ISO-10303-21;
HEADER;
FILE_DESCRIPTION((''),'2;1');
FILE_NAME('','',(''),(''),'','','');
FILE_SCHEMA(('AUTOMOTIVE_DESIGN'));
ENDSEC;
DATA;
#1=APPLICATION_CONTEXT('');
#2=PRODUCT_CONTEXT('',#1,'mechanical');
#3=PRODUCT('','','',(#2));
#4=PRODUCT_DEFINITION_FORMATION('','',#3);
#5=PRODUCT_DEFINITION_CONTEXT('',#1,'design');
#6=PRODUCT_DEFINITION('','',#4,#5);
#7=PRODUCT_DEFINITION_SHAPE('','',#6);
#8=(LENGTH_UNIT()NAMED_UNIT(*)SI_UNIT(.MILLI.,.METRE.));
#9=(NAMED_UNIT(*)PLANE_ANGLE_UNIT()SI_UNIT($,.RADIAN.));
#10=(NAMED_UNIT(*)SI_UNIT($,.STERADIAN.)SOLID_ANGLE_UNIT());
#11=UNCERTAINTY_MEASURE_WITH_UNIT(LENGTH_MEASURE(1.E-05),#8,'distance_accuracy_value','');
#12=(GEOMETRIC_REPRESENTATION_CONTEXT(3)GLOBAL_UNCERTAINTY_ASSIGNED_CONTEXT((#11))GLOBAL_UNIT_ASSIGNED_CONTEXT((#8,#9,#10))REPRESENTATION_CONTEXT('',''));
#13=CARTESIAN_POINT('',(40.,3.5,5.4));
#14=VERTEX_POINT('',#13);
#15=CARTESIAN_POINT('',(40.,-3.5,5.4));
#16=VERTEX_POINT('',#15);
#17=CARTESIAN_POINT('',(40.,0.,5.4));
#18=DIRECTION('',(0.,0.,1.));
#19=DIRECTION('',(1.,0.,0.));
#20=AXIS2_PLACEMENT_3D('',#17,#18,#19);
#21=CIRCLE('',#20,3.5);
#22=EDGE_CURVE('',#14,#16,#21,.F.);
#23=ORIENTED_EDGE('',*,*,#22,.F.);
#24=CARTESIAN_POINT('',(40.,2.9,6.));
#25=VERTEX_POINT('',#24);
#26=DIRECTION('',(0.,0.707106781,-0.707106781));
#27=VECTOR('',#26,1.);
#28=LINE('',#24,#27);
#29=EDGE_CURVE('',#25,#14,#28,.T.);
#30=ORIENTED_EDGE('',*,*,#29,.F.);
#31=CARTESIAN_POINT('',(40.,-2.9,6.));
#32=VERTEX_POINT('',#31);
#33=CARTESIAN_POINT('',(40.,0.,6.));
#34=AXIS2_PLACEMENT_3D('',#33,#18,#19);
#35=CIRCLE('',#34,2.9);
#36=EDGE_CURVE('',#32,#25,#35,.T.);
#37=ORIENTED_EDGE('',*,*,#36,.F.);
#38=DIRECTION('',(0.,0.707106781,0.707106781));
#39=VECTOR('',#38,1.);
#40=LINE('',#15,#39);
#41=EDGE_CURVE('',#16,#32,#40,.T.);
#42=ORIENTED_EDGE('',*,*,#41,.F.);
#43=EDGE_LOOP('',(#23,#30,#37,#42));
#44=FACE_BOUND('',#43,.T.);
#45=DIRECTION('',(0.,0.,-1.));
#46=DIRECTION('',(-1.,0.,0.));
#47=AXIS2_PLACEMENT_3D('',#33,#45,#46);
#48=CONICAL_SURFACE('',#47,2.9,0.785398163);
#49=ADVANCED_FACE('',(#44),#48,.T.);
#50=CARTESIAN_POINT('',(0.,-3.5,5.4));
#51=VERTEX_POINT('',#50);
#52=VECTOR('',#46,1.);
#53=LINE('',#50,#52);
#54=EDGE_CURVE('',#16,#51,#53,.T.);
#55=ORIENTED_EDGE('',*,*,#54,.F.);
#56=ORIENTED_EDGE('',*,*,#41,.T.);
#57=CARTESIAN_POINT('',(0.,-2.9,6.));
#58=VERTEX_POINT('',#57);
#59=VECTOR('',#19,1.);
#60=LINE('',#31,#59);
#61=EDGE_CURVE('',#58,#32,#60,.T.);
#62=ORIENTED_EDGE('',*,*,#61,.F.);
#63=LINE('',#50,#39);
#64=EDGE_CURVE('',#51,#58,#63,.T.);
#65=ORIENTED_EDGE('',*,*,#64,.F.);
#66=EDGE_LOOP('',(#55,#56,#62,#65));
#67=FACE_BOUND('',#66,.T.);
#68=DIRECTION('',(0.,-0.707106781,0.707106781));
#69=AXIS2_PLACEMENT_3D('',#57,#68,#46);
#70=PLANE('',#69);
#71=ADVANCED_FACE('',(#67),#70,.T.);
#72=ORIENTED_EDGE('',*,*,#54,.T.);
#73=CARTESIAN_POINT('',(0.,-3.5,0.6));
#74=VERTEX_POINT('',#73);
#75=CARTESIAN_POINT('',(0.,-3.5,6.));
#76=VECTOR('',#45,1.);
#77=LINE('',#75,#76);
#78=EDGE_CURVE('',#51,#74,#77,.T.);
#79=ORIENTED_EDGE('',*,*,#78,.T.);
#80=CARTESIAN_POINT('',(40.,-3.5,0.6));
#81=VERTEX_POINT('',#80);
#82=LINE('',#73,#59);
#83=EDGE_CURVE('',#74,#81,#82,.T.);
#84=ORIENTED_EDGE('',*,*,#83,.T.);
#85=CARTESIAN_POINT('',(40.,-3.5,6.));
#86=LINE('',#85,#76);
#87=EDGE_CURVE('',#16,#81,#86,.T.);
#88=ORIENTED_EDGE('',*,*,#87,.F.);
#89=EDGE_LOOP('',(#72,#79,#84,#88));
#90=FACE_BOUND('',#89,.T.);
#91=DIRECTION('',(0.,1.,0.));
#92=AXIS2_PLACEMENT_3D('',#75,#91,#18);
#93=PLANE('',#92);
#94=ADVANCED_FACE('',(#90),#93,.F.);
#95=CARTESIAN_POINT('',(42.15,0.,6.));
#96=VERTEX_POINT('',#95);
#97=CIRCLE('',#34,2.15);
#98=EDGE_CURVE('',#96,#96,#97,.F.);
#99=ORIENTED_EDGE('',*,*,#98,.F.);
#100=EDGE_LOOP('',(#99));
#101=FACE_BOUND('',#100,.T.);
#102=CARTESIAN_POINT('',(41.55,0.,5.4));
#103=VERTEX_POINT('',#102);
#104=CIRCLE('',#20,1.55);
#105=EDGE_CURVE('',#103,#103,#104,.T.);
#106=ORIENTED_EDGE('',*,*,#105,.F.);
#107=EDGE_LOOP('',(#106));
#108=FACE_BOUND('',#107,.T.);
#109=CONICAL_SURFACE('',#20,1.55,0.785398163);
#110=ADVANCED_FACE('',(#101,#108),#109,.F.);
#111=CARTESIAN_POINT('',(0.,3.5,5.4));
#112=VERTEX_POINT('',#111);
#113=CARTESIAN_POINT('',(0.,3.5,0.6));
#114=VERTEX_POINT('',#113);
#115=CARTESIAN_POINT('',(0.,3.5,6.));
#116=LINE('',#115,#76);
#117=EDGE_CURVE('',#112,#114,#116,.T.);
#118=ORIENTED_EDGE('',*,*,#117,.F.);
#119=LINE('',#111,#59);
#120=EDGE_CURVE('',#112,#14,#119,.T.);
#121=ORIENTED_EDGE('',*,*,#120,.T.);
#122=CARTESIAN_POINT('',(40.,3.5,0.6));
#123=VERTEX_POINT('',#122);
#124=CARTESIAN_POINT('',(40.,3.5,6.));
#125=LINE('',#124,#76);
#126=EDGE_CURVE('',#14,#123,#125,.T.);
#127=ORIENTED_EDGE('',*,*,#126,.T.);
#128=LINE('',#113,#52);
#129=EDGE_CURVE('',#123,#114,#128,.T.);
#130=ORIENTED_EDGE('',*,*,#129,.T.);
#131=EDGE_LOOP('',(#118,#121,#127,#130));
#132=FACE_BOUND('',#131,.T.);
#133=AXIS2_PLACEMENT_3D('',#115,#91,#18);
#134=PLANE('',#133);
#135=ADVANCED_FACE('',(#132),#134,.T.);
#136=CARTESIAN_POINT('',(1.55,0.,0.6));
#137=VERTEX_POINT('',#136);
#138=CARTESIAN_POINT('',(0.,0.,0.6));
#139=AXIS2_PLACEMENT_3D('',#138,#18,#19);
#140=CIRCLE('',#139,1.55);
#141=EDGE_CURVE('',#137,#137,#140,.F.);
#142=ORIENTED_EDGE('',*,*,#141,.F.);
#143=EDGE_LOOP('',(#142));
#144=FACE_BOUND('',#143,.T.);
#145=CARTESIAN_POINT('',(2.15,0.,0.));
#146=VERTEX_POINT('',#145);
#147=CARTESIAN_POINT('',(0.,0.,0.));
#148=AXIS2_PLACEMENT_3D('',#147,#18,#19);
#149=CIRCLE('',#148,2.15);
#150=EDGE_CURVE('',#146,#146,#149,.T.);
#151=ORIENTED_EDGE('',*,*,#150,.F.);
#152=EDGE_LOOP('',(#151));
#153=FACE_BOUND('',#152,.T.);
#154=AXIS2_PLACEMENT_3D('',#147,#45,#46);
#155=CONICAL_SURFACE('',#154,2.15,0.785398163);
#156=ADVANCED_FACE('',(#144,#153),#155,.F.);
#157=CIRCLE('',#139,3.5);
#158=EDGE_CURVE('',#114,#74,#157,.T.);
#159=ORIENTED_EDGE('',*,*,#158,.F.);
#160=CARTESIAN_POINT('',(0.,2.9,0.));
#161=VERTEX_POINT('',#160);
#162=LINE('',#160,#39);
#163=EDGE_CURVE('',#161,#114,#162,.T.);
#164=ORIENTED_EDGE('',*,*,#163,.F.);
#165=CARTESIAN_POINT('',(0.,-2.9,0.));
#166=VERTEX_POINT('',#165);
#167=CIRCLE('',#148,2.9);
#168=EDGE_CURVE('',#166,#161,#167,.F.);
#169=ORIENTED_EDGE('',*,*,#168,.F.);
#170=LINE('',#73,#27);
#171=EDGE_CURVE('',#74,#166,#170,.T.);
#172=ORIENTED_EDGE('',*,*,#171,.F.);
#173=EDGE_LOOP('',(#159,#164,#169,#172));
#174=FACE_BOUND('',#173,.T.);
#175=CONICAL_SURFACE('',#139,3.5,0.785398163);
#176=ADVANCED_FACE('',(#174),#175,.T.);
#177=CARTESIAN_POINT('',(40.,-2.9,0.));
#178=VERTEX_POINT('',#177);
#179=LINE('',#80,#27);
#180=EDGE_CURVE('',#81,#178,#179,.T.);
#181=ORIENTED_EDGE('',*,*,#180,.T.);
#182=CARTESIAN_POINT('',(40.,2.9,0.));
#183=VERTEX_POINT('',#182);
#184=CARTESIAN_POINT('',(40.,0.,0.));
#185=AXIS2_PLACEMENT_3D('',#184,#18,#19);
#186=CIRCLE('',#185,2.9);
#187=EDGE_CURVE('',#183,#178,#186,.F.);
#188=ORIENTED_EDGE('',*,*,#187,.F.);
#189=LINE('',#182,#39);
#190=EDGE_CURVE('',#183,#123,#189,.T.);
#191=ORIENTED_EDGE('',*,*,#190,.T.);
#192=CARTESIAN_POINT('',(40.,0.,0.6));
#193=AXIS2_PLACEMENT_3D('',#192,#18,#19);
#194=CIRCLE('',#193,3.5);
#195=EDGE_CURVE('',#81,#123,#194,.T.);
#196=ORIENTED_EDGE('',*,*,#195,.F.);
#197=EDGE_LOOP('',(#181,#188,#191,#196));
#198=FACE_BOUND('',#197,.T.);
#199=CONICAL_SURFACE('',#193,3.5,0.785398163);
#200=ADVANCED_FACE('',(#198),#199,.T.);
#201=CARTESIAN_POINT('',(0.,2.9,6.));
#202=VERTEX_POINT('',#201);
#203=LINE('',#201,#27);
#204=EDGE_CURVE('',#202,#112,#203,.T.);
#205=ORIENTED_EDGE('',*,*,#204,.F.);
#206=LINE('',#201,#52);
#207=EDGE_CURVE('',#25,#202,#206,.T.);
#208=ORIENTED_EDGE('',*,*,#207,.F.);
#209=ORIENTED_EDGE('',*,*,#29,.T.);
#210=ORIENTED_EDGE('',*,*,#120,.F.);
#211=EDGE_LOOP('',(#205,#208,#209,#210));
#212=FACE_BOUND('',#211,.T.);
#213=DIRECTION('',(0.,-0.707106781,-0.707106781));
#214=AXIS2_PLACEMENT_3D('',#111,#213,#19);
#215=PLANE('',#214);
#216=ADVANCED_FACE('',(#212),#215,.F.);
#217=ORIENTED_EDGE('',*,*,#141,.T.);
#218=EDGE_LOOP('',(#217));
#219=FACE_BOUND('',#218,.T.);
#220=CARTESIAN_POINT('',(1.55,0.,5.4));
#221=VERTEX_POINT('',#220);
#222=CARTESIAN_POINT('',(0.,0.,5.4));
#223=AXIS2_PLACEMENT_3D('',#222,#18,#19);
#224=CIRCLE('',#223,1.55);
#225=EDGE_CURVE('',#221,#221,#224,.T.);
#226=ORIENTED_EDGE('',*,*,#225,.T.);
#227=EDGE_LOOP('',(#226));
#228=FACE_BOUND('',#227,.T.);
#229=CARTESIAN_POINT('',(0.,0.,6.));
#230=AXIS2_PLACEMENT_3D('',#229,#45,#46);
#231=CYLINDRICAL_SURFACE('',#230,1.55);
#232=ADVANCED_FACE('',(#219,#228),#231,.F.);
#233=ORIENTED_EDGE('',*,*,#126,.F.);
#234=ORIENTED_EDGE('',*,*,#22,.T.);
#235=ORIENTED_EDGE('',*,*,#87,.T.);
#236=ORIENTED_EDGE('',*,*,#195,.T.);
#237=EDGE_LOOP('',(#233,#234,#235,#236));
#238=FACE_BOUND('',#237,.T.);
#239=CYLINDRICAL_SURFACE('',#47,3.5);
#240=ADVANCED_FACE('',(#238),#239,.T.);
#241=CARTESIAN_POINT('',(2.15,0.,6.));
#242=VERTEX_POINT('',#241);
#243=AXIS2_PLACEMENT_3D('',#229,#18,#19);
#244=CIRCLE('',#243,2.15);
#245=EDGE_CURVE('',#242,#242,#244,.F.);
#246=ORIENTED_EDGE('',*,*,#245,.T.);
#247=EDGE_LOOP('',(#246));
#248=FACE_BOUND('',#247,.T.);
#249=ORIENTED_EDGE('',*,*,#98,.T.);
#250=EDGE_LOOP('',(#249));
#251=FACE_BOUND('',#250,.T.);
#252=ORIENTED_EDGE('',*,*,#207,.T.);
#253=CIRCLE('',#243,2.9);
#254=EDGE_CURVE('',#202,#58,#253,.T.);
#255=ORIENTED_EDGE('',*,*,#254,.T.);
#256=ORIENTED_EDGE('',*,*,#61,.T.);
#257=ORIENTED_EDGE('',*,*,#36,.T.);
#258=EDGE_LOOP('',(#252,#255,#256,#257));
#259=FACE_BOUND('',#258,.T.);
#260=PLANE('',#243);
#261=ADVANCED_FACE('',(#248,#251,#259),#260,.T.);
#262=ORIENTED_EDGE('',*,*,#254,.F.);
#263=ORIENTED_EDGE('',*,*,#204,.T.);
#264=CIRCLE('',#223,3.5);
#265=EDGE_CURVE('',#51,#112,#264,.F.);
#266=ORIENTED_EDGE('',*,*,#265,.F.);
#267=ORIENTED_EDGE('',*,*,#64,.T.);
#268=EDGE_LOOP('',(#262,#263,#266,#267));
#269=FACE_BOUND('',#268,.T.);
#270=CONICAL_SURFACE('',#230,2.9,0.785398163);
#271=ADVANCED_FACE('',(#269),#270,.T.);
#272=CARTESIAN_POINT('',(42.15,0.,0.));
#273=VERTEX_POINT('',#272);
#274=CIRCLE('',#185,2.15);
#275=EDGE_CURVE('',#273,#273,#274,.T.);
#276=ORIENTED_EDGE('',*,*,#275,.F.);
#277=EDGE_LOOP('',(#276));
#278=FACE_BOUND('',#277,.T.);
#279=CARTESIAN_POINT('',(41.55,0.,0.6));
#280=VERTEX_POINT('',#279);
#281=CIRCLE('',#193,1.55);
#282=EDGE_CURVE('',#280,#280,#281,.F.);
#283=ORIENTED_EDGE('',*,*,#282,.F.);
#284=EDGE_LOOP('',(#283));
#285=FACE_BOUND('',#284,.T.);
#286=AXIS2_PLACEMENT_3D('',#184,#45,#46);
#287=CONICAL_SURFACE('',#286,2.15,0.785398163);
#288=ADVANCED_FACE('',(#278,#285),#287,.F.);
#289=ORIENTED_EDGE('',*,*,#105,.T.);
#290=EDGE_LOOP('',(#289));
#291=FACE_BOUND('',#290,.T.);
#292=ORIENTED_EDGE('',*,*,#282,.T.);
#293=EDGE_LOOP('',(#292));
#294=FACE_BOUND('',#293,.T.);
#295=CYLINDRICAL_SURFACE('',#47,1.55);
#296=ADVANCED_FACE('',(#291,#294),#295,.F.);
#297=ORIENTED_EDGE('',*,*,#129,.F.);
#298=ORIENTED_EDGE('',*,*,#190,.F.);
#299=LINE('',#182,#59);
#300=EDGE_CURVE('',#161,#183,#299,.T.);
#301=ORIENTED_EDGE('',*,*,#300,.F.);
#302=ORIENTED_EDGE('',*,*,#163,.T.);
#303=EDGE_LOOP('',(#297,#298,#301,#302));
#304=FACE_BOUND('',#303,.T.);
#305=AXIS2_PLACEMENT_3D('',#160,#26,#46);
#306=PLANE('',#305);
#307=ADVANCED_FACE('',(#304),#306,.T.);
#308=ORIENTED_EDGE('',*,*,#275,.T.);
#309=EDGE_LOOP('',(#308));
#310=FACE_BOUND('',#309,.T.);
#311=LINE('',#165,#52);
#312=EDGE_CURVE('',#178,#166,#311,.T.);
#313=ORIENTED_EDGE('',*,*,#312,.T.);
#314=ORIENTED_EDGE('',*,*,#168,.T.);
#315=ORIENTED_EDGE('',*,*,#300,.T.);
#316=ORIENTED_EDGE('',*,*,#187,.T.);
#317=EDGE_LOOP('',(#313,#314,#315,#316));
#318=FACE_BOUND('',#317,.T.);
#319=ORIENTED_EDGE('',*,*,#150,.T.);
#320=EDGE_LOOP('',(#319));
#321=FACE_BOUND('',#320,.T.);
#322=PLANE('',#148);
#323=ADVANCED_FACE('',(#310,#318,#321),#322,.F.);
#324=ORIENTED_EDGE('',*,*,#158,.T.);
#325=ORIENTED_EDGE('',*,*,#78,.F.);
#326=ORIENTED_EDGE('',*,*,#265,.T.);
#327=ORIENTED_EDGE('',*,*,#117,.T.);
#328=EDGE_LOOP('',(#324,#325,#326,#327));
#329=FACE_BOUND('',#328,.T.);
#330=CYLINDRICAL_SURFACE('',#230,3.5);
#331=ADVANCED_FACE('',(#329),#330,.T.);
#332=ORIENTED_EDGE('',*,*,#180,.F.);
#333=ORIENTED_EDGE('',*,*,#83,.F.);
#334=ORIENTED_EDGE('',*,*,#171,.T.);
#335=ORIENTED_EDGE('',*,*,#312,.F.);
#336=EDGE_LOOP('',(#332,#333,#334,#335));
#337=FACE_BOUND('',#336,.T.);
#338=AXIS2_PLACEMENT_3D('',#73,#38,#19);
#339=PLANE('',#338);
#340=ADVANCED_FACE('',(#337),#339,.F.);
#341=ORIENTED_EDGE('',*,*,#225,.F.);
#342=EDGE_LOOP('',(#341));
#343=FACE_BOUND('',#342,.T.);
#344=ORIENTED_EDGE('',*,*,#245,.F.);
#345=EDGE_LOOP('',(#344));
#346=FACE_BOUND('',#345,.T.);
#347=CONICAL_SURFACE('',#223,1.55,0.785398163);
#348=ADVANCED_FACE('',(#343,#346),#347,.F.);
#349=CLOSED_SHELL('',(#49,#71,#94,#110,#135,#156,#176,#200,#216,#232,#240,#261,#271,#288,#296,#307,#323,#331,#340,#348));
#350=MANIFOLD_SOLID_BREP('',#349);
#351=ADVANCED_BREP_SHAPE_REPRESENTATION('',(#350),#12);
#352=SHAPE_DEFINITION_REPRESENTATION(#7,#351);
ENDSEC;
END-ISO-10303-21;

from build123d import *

# Parameters (mm, degrees)
SKETCH_1_R      = 1.55
EXTRUDE_1_DEPTH = 6
CHAMFER_1_SIZE  = 0.6


with BuildPart() as part:
    # 草图1 → 凸台-拉伸1 (new body)
    with BuildSketch(Plane.XY):
        with BuildLine():
            ThreePointArc((0, 3.5), (-3.5, 0), (0, -3.5))
            Line((0, -3.5), (40, -3.5))
            ThreePointArc((40, -3.5), (43.5, 0), (40, 3.5))
            Line((40, 3.5), (0, 3.5))
        make_face()
        Circle(SKETCH_1_R, mode=Mode.SUBTRACT)
        with Locations((40, 0)):
            Circle(SKETCH_1_R, mode=Mode.SUBTRACT)
    extrude(amount=EXTRUDE_1_DEPTH)

    # 倒角1
    chamfer_1_edges = [part.edges().sort_by_distance(p)[0] for p in [
        (43.5, 0, 6),
        (20, 3.5, 6),
        (-3.5, 0, 6),
        (38.45, 0, 6),
        (-1.55, 0, 6),
        (20, -3.5, 6),
        (-1.55, 0, 0),
        (38.45, 0, 0),
        (-3.5, 0, 0),
        (20, 3.5, 0),
        (43.5, 0, 0),
        (20, -3.5, 0),
    ]]
    chamfer(chamfer_1_edges, length=CHAMFER_1_SIZE)


solid = part.part
